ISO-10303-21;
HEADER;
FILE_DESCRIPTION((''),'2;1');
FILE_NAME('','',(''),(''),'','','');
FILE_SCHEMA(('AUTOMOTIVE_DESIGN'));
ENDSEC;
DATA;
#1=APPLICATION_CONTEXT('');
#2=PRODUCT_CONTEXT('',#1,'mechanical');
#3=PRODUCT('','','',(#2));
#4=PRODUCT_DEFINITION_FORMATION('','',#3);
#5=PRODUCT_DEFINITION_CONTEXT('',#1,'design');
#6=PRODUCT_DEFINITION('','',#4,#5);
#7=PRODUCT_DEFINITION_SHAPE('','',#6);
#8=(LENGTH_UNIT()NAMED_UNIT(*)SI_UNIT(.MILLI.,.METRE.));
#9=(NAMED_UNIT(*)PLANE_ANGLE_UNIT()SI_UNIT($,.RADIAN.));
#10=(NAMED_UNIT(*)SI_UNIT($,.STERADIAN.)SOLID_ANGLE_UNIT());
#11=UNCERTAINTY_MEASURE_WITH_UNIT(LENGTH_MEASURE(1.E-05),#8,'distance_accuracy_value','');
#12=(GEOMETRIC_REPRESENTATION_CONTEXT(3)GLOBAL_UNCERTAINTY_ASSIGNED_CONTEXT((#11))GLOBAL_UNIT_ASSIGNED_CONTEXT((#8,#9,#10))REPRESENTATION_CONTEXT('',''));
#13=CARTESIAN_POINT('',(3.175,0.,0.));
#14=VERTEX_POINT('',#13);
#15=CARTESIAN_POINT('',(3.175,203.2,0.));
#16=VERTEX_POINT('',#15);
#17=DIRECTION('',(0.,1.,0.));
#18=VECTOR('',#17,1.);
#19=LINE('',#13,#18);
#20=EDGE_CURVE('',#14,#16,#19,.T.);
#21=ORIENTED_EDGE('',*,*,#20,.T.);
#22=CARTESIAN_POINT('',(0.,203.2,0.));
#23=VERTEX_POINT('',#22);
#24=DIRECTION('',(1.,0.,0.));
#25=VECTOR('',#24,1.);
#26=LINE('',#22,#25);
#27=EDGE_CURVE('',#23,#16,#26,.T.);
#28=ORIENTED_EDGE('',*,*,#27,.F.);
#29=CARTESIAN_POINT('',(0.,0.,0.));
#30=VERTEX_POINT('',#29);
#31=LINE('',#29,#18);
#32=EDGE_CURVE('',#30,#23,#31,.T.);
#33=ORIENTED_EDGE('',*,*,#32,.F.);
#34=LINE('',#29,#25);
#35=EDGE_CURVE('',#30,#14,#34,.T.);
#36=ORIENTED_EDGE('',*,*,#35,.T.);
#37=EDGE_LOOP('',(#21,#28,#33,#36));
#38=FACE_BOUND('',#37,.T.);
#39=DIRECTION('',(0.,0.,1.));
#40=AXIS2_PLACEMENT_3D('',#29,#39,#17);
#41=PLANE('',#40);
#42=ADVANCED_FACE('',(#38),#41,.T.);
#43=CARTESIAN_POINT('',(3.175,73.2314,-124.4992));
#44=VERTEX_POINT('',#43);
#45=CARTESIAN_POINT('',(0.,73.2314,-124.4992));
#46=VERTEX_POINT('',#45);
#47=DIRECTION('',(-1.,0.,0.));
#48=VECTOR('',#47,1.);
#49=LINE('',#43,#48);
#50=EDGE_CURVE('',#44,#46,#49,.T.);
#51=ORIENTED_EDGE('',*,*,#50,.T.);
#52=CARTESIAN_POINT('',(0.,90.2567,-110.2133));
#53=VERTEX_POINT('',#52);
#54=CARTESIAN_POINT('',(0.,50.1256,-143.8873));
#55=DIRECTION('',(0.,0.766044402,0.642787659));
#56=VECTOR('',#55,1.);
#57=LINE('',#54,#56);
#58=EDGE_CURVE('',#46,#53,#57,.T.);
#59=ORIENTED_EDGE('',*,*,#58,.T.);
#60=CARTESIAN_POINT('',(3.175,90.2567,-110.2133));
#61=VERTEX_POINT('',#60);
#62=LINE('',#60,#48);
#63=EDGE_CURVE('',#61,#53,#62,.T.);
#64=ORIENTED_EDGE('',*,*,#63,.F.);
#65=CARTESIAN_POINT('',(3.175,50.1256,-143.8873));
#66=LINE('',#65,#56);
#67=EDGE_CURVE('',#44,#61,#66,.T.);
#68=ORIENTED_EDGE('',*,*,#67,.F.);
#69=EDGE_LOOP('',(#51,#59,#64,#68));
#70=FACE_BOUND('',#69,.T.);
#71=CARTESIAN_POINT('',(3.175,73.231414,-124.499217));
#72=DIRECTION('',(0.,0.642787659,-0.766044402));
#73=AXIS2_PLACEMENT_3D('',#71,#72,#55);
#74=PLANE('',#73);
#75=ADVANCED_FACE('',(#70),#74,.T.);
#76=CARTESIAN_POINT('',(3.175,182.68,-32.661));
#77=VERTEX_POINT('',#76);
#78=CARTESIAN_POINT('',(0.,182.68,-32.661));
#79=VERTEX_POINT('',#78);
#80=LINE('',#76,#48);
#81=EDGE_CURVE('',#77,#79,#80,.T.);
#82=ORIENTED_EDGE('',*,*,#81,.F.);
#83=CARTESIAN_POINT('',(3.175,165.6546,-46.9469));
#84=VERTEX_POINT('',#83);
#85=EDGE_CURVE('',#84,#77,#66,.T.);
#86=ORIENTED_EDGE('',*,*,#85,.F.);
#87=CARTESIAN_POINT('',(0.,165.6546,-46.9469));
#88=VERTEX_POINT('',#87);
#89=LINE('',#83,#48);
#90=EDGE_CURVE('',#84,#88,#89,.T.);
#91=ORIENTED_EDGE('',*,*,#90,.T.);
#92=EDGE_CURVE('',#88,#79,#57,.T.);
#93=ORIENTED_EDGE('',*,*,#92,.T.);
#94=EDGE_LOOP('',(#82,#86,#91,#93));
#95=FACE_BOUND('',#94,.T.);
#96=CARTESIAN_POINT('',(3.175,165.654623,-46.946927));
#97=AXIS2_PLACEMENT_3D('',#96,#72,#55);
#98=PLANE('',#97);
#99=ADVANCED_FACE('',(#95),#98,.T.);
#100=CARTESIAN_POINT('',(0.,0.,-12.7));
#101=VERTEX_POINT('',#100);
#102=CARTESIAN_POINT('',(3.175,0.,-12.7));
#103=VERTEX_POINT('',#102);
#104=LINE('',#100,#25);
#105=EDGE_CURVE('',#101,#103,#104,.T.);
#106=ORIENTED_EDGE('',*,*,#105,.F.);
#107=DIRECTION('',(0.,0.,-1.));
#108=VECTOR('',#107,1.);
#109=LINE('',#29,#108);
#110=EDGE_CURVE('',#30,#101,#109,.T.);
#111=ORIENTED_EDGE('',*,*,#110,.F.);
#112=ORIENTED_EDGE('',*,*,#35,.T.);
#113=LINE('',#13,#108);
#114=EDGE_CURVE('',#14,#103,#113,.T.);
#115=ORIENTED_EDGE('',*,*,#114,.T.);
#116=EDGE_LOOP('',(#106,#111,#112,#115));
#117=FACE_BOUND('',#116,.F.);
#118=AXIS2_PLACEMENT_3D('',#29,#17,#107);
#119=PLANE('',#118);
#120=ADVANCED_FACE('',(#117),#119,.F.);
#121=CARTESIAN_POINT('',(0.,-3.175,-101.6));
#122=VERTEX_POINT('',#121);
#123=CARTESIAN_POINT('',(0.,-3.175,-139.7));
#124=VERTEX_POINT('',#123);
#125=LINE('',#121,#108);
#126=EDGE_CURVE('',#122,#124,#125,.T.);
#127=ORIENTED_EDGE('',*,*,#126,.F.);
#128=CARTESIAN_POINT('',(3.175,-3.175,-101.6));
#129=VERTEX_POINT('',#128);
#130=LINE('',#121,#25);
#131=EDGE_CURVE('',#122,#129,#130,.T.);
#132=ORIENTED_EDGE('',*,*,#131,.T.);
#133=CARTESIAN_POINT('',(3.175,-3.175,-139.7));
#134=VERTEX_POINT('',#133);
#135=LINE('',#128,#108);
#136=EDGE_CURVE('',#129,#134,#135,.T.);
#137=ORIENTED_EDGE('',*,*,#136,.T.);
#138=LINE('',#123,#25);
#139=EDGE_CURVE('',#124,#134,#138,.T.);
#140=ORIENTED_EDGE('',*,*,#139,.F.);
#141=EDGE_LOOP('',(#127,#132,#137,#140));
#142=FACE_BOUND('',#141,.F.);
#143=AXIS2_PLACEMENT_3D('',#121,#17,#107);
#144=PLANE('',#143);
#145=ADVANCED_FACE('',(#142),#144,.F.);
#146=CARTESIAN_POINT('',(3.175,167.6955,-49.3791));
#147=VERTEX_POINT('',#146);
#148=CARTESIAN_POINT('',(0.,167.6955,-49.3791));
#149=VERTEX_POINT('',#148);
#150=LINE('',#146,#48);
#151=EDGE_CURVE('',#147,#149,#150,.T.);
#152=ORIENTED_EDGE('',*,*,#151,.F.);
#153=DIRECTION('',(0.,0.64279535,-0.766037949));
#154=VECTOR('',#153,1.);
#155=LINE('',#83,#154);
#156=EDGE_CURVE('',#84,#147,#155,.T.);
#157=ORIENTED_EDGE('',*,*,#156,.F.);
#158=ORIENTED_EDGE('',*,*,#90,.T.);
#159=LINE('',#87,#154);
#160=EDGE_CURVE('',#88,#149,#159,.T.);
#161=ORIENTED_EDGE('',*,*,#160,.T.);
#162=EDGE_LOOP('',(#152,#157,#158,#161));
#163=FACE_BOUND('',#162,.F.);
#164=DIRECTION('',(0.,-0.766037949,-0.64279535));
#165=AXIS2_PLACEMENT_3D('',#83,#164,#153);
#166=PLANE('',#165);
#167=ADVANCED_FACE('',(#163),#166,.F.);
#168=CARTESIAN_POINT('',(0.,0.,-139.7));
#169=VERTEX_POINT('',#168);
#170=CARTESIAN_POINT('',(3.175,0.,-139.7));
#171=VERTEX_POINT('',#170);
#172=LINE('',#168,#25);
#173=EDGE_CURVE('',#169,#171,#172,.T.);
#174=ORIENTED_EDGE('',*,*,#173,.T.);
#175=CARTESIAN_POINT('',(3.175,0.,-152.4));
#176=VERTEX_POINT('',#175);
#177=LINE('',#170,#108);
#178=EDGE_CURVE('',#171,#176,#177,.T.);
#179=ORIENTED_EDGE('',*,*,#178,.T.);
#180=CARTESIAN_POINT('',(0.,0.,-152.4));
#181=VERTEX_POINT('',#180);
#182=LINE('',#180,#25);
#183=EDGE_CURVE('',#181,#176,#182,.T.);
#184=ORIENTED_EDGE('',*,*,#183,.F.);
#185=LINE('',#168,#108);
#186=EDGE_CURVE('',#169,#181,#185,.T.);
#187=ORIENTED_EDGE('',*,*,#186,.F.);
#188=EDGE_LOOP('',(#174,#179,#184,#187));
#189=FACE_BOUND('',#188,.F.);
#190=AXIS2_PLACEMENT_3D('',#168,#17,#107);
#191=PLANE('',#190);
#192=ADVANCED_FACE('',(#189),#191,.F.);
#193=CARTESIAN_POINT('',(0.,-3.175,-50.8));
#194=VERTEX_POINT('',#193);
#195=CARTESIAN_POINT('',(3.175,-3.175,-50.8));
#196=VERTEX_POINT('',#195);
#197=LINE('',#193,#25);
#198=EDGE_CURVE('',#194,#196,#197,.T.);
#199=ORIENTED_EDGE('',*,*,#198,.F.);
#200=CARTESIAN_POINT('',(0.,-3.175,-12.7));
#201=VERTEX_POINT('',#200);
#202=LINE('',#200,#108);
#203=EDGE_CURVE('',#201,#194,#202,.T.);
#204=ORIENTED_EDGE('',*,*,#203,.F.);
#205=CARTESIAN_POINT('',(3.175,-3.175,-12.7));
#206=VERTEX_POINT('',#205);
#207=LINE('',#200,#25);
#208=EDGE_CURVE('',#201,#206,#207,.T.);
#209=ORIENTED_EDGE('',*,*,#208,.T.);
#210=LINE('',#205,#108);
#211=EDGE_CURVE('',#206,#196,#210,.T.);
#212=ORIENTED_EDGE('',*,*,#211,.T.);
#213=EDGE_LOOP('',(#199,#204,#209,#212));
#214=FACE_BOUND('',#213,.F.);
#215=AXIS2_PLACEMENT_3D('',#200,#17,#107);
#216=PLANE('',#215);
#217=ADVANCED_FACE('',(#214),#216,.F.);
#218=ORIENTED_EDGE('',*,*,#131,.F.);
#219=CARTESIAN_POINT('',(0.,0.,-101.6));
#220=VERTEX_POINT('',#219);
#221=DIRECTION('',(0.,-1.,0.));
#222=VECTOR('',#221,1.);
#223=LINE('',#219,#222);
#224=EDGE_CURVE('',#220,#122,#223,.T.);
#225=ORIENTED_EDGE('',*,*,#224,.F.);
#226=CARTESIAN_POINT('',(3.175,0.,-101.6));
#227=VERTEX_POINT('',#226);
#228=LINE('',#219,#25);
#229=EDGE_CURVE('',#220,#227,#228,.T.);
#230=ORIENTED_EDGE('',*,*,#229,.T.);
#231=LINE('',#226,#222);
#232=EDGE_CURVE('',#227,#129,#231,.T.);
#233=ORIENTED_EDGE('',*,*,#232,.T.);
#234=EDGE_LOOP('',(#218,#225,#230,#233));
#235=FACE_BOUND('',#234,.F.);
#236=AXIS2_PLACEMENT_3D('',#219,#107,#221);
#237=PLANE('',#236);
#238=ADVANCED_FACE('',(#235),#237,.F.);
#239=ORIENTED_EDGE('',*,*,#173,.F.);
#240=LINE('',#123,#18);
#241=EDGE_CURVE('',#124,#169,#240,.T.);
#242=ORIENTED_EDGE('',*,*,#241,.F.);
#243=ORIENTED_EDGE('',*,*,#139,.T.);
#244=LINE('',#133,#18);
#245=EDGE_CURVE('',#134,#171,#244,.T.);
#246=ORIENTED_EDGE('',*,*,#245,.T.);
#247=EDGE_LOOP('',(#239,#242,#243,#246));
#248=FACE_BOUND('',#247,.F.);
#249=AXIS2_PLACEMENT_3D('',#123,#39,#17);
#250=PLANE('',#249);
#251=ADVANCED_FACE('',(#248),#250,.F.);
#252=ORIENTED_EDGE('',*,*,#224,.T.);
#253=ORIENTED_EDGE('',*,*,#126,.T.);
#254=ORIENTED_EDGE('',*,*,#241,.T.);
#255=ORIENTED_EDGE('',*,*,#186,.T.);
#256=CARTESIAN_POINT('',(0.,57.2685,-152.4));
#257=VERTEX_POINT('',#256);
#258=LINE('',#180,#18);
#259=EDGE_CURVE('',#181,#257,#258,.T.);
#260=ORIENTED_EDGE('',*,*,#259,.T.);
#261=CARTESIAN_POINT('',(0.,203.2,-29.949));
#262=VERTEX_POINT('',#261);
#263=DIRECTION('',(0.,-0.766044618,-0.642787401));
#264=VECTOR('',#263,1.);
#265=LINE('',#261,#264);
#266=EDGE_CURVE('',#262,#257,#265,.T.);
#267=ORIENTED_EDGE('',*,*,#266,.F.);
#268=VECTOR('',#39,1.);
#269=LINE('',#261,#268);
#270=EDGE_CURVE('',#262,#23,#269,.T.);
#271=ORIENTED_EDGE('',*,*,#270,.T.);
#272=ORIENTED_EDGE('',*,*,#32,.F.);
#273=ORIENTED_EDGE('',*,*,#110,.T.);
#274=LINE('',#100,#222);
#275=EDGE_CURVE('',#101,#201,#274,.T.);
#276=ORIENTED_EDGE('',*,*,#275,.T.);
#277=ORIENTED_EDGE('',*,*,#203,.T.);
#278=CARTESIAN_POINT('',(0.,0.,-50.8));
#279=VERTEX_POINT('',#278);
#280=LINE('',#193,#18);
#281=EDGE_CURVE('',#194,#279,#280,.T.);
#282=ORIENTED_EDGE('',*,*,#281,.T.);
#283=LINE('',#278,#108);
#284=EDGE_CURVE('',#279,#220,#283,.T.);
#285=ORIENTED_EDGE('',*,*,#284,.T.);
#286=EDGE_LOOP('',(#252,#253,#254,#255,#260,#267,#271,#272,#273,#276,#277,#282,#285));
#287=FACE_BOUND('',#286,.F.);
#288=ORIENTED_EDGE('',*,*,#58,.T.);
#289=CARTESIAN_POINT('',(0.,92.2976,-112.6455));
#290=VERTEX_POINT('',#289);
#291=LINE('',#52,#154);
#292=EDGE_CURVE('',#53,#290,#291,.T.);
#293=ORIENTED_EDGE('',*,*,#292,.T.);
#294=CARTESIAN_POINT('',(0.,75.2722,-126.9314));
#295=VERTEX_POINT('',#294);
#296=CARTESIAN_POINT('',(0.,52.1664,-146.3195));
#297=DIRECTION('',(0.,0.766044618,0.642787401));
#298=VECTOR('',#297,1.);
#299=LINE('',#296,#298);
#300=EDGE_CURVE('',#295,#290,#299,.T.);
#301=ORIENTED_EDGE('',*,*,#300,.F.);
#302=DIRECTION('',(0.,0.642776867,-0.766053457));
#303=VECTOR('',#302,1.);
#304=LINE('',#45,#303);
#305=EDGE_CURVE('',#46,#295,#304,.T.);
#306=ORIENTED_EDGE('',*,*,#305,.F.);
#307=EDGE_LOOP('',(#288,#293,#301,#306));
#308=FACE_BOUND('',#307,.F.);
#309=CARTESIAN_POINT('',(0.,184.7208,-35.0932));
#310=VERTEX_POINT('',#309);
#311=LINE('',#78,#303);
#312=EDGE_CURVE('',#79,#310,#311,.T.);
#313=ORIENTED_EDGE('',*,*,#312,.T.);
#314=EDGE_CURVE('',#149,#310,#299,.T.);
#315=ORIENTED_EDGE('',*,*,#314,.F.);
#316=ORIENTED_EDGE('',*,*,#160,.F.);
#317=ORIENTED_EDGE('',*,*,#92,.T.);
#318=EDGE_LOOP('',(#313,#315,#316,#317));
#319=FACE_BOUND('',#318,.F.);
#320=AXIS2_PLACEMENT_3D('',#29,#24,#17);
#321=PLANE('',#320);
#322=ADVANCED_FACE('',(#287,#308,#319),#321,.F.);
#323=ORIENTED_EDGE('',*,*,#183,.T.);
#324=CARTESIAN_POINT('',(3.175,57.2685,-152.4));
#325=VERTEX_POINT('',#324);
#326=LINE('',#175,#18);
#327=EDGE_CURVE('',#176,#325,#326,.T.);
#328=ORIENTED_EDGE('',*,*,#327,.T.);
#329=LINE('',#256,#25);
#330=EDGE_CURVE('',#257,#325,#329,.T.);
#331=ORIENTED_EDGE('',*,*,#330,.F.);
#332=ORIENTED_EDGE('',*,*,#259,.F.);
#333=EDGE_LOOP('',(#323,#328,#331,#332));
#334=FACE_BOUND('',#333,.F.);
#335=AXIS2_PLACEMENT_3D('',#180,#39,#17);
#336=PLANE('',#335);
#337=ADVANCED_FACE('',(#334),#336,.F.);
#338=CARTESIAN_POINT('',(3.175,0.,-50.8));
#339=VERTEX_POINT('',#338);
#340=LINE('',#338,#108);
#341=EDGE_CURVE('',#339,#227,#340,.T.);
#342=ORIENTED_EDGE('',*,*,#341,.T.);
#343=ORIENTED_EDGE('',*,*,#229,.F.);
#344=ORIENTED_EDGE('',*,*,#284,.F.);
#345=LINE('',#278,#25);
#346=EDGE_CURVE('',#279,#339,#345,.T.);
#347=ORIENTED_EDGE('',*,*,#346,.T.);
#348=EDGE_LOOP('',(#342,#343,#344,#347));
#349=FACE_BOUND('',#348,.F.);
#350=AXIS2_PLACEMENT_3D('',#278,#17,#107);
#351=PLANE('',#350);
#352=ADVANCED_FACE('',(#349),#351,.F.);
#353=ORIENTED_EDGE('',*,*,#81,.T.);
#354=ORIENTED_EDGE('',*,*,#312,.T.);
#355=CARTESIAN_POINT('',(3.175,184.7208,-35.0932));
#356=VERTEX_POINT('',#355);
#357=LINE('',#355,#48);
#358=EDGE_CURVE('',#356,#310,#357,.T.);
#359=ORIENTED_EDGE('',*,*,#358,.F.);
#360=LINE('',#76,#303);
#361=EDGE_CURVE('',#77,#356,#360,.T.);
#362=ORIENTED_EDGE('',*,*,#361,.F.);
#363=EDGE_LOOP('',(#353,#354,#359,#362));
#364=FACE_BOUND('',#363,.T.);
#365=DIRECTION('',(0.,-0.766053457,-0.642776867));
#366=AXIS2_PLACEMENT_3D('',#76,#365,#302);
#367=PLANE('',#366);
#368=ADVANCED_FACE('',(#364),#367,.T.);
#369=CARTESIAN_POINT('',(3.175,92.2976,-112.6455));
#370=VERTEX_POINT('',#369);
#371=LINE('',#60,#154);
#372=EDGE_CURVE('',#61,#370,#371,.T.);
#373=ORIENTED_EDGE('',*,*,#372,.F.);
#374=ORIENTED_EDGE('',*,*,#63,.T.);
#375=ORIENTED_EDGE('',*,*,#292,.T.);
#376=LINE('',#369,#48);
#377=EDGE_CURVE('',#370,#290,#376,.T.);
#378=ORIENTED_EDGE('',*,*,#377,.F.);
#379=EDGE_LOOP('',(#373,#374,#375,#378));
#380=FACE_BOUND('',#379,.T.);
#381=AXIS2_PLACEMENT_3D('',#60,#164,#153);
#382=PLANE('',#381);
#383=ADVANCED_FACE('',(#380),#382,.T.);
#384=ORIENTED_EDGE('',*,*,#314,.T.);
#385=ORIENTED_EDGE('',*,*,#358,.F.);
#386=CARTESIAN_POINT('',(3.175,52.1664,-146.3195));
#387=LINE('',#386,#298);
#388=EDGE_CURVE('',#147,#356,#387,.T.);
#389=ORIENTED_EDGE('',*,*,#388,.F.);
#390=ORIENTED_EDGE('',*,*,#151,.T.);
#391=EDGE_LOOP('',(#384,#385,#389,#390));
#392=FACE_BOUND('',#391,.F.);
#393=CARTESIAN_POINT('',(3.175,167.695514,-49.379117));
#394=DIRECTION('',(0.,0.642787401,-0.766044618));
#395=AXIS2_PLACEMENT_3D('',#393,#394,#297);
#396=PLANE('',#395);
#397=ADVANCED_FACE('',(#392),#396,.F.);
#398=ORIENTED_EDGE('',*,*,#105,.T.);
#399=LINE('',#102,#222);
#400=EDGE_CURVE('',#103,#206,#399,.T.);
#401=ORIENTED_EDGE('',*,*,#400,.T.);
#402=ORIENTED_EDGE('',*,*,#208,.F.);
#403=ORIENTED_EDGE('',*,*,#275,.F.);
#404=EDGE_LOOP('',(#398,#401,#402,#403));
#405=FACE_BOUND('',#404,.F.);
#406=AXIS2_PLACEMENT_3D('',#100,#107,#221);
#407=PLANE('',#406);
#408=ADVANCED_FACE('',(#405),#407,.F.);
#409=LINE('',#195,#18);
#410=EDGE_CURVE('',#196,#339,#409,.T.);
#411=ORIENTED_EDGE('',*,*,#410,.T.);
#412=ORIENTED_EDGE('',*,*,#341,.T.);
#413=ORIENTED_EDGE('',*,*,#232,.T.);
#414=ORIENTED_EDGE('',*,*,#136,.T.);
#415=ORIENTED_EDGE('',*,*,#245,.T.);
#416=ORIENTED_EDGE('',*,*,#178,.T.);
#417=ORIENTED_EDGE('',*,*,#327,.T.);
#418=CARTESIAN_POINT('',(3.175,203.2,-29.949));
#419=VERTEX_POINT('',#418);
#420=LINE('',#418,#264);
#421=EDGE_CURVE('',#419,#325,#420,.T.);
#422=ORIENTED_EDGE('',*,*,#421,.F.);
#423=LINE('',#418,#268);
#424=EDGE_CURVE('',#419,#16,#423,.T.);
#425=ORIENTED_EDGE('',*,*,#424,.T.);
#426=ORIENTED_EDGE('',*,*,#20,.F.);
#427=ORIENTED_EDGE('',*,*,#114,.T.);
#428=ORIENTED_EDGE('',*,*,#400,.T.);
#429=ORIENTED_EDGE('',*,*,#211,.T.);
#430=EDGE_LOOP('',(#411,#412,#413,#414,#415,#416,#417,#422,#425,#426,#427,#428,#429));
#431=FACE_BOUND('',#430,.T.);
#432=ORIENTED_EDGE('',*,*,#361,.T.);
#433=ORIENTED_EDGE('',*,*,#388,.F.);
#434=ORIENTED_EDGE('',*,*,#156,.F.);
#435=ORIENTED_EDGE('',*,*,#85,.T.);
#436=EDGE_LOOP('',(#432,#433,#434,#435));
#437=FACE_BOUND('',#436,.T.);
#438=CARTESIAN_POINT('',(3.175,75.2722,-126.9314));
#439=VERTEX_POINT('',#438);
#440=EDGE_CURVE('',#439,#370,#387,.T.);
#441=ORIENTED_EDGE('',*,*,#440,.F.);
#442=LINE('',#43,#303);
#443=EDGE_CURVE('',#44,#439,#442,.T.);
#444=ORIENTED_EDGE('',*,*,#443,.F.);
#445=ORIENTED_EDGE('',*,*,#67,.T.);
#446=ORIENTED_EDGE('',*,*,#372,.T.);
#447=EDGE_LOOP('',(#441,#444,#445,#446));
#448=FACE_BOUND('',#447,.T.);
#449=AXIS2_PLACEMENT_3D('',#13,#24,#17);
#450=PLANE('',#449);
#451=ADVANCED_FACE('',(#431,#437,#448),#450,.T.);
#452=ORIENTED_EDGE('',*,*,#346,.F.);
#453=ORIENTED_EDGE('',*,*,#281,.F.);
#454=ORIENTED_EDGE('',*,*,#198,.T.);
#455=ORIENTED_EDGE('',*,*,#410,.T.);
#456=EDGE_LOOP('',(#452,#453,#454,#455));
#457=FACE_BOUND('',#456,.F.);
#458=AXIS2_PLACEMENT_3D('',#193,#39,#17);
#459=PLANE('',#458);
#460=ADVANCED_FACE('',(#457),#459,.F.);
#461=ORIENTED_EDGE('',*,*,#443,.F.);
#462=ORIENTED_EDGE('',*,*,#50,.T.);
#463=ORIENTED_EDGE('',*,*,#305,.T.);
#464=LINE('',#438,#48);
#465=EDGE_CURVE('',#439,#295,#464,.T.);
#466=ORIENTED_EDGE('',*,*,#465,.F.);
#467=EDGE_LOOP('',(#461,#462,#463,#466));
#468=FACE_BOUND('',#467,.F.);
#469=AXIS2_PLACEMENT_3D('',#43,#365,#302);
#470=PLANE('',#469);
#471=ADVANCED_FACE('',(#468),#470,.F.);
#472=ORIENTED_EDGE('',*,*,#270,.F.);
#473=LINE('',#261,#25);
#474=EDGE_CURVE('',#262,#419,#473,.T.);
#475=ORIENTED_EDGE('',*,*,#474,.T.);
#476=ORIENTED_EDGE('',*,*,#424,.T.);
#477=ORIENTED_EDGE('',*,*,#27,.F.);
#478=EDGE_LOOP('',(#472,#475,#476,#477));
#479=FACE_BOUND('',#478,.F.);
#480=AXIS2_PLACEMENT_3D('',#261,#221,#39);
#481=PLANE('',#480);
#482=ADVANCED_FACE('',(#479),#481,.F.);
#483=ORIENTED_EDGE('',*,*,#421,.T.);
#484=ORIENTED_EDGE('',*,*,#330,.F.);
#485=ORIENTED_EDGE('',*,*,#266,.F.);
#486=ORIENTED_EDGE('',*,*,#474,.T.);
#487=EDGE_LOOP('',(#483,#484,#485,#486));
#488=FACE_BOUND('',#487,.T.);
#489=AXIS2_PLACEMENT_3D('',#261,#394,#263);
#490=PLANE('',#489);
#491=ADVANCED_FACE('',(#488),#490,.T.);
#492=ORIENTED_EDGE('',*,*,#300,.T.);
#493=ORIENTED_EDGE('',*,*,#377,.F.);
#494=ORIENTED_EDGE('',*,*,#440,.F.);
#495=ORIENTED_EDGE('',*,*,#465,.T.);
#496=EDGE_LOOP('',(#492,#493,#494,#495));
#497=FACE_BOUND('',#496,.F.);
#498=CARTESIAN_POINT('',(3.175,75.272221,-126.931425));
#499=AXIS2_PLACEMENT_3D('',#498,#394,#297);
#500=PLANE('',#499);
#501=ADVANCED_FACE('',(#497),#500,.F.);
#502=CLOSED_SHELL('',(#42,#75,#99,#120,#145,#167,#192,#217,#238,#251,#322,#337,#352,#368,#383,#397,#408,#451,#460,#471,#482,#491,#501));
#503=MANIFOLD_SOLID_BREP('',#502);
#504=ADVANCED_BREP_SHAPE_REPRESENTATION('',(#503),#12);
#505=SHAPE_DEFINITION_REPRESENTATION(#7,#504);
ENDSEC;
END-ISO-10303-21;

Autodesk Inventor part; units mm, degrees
ref_plane "YZ Plane" through (0, 0, 0) normal (1, 0, 0) x (0, 1, 0)
ref_plane "XZ Plane" through (0, 0, 0) normal (0, 1, 0) x (-1, 0, 0)
ref_plane "XY Plane" through (0, 0, 0) normal (0, 0, 1) x (1, 0, 0)
sketch "Sketch2" plane through (0, 0, 0) normal (1, 0, 0) x (0, 1, 0)
  line L0 (0, 0) -> (0, -12.7)
  line L1 (0, -12.7) -> (-3.175, -12.7)
  line L2 (-3.175, -12.7) -> (-3.175, -50.8)
  line L3 (-3.175, -50.8) -> (0, -50.8)
  line L4 (0, -50.8) -> (0, -101.6)
  line L5 (0, -101.6) -> (-3.175, -101.6)
  line L6 (-3.175, -101.6) -> (-3.175, -139.7)
  line L7 (-3.175, -139.7) -> (0, -139.7)
  line L8 (0, -139.7) -> (0, -152.4)
  line L9 (0, 0) -> (203.2, 0)
  line L10 (203.2, -29.949) -> (57.2685, -152.4)
  line L11 (203.2, -29.949) -> (203.2, 0)
  line L12 (0, -152.4) -> (57.2685, -152.4)
  dimension "d18" = 12.7
  dimension "d19" = 3.175
  dimension "d20" = 38.1
  dimension "d21" = 3.175
  dimension "d22" = 50.8
  dimension "d23" = 3.175
  dimension "d24" = 38.1
  dimension "d25" = 3.175
  dimension "d26" = 12.7
  dimension "d27" = 203.2
  dimension "d28" = 190.5
  dimension "d29" = 90
  dimension "d30" = -130
  dimension "d31" = 0
extrude "Extrusion2" add sketch "Sketch2" along normal blind 3.175
sketch "Sketch3" plane through (3.175, 0, 0) normal (1, 0, 0) x (0, 0, -1)
  line L0 (152.4, 57.2685) -> (29.949, 203.2) projected
  line L1 (152.4, 57.2685) -> (137.8069, 45.0234)
  line L2 (137.8069, 45.0234) -> (15.3558, 190.9549)
  line L3 (15.3558, 190.9549) -> (29.949, 203.2)
  line L4 (146.3195, 52.1664) -> (23.8685, 198.0979)
  line L5 (143.8873, 50.1256) -> (21.4363, 196.057)
  line L6 (32.661, 182.68) -> (35.0932, 184.7208)
  line L7 (46.9469, 165.6546) -> (49.3791, 167.6955)
  line L8 (110.2133, 90.2567) -> (112.6455, 92.2976)
  line L9 (124.4992, 73.2314) -> (126.9314, 75.2722)
  point P0 (0, 0)
  dimension "d34" = 19.05
  dimension "d35" = 3.175
  dimension "d36" = 7.9375
  dimension "d37" = 17.4625
  dimension "d38" = 22.225
  dimension "d39" = 98.425
  dimension "d40" = 22.225
extrude "Extrusion3" cut sketch "Sketch3" against normal blind 3.175 contours L9 L5 L8 L4 | L4 L7 L5 L6
properties part number "C4Side"
